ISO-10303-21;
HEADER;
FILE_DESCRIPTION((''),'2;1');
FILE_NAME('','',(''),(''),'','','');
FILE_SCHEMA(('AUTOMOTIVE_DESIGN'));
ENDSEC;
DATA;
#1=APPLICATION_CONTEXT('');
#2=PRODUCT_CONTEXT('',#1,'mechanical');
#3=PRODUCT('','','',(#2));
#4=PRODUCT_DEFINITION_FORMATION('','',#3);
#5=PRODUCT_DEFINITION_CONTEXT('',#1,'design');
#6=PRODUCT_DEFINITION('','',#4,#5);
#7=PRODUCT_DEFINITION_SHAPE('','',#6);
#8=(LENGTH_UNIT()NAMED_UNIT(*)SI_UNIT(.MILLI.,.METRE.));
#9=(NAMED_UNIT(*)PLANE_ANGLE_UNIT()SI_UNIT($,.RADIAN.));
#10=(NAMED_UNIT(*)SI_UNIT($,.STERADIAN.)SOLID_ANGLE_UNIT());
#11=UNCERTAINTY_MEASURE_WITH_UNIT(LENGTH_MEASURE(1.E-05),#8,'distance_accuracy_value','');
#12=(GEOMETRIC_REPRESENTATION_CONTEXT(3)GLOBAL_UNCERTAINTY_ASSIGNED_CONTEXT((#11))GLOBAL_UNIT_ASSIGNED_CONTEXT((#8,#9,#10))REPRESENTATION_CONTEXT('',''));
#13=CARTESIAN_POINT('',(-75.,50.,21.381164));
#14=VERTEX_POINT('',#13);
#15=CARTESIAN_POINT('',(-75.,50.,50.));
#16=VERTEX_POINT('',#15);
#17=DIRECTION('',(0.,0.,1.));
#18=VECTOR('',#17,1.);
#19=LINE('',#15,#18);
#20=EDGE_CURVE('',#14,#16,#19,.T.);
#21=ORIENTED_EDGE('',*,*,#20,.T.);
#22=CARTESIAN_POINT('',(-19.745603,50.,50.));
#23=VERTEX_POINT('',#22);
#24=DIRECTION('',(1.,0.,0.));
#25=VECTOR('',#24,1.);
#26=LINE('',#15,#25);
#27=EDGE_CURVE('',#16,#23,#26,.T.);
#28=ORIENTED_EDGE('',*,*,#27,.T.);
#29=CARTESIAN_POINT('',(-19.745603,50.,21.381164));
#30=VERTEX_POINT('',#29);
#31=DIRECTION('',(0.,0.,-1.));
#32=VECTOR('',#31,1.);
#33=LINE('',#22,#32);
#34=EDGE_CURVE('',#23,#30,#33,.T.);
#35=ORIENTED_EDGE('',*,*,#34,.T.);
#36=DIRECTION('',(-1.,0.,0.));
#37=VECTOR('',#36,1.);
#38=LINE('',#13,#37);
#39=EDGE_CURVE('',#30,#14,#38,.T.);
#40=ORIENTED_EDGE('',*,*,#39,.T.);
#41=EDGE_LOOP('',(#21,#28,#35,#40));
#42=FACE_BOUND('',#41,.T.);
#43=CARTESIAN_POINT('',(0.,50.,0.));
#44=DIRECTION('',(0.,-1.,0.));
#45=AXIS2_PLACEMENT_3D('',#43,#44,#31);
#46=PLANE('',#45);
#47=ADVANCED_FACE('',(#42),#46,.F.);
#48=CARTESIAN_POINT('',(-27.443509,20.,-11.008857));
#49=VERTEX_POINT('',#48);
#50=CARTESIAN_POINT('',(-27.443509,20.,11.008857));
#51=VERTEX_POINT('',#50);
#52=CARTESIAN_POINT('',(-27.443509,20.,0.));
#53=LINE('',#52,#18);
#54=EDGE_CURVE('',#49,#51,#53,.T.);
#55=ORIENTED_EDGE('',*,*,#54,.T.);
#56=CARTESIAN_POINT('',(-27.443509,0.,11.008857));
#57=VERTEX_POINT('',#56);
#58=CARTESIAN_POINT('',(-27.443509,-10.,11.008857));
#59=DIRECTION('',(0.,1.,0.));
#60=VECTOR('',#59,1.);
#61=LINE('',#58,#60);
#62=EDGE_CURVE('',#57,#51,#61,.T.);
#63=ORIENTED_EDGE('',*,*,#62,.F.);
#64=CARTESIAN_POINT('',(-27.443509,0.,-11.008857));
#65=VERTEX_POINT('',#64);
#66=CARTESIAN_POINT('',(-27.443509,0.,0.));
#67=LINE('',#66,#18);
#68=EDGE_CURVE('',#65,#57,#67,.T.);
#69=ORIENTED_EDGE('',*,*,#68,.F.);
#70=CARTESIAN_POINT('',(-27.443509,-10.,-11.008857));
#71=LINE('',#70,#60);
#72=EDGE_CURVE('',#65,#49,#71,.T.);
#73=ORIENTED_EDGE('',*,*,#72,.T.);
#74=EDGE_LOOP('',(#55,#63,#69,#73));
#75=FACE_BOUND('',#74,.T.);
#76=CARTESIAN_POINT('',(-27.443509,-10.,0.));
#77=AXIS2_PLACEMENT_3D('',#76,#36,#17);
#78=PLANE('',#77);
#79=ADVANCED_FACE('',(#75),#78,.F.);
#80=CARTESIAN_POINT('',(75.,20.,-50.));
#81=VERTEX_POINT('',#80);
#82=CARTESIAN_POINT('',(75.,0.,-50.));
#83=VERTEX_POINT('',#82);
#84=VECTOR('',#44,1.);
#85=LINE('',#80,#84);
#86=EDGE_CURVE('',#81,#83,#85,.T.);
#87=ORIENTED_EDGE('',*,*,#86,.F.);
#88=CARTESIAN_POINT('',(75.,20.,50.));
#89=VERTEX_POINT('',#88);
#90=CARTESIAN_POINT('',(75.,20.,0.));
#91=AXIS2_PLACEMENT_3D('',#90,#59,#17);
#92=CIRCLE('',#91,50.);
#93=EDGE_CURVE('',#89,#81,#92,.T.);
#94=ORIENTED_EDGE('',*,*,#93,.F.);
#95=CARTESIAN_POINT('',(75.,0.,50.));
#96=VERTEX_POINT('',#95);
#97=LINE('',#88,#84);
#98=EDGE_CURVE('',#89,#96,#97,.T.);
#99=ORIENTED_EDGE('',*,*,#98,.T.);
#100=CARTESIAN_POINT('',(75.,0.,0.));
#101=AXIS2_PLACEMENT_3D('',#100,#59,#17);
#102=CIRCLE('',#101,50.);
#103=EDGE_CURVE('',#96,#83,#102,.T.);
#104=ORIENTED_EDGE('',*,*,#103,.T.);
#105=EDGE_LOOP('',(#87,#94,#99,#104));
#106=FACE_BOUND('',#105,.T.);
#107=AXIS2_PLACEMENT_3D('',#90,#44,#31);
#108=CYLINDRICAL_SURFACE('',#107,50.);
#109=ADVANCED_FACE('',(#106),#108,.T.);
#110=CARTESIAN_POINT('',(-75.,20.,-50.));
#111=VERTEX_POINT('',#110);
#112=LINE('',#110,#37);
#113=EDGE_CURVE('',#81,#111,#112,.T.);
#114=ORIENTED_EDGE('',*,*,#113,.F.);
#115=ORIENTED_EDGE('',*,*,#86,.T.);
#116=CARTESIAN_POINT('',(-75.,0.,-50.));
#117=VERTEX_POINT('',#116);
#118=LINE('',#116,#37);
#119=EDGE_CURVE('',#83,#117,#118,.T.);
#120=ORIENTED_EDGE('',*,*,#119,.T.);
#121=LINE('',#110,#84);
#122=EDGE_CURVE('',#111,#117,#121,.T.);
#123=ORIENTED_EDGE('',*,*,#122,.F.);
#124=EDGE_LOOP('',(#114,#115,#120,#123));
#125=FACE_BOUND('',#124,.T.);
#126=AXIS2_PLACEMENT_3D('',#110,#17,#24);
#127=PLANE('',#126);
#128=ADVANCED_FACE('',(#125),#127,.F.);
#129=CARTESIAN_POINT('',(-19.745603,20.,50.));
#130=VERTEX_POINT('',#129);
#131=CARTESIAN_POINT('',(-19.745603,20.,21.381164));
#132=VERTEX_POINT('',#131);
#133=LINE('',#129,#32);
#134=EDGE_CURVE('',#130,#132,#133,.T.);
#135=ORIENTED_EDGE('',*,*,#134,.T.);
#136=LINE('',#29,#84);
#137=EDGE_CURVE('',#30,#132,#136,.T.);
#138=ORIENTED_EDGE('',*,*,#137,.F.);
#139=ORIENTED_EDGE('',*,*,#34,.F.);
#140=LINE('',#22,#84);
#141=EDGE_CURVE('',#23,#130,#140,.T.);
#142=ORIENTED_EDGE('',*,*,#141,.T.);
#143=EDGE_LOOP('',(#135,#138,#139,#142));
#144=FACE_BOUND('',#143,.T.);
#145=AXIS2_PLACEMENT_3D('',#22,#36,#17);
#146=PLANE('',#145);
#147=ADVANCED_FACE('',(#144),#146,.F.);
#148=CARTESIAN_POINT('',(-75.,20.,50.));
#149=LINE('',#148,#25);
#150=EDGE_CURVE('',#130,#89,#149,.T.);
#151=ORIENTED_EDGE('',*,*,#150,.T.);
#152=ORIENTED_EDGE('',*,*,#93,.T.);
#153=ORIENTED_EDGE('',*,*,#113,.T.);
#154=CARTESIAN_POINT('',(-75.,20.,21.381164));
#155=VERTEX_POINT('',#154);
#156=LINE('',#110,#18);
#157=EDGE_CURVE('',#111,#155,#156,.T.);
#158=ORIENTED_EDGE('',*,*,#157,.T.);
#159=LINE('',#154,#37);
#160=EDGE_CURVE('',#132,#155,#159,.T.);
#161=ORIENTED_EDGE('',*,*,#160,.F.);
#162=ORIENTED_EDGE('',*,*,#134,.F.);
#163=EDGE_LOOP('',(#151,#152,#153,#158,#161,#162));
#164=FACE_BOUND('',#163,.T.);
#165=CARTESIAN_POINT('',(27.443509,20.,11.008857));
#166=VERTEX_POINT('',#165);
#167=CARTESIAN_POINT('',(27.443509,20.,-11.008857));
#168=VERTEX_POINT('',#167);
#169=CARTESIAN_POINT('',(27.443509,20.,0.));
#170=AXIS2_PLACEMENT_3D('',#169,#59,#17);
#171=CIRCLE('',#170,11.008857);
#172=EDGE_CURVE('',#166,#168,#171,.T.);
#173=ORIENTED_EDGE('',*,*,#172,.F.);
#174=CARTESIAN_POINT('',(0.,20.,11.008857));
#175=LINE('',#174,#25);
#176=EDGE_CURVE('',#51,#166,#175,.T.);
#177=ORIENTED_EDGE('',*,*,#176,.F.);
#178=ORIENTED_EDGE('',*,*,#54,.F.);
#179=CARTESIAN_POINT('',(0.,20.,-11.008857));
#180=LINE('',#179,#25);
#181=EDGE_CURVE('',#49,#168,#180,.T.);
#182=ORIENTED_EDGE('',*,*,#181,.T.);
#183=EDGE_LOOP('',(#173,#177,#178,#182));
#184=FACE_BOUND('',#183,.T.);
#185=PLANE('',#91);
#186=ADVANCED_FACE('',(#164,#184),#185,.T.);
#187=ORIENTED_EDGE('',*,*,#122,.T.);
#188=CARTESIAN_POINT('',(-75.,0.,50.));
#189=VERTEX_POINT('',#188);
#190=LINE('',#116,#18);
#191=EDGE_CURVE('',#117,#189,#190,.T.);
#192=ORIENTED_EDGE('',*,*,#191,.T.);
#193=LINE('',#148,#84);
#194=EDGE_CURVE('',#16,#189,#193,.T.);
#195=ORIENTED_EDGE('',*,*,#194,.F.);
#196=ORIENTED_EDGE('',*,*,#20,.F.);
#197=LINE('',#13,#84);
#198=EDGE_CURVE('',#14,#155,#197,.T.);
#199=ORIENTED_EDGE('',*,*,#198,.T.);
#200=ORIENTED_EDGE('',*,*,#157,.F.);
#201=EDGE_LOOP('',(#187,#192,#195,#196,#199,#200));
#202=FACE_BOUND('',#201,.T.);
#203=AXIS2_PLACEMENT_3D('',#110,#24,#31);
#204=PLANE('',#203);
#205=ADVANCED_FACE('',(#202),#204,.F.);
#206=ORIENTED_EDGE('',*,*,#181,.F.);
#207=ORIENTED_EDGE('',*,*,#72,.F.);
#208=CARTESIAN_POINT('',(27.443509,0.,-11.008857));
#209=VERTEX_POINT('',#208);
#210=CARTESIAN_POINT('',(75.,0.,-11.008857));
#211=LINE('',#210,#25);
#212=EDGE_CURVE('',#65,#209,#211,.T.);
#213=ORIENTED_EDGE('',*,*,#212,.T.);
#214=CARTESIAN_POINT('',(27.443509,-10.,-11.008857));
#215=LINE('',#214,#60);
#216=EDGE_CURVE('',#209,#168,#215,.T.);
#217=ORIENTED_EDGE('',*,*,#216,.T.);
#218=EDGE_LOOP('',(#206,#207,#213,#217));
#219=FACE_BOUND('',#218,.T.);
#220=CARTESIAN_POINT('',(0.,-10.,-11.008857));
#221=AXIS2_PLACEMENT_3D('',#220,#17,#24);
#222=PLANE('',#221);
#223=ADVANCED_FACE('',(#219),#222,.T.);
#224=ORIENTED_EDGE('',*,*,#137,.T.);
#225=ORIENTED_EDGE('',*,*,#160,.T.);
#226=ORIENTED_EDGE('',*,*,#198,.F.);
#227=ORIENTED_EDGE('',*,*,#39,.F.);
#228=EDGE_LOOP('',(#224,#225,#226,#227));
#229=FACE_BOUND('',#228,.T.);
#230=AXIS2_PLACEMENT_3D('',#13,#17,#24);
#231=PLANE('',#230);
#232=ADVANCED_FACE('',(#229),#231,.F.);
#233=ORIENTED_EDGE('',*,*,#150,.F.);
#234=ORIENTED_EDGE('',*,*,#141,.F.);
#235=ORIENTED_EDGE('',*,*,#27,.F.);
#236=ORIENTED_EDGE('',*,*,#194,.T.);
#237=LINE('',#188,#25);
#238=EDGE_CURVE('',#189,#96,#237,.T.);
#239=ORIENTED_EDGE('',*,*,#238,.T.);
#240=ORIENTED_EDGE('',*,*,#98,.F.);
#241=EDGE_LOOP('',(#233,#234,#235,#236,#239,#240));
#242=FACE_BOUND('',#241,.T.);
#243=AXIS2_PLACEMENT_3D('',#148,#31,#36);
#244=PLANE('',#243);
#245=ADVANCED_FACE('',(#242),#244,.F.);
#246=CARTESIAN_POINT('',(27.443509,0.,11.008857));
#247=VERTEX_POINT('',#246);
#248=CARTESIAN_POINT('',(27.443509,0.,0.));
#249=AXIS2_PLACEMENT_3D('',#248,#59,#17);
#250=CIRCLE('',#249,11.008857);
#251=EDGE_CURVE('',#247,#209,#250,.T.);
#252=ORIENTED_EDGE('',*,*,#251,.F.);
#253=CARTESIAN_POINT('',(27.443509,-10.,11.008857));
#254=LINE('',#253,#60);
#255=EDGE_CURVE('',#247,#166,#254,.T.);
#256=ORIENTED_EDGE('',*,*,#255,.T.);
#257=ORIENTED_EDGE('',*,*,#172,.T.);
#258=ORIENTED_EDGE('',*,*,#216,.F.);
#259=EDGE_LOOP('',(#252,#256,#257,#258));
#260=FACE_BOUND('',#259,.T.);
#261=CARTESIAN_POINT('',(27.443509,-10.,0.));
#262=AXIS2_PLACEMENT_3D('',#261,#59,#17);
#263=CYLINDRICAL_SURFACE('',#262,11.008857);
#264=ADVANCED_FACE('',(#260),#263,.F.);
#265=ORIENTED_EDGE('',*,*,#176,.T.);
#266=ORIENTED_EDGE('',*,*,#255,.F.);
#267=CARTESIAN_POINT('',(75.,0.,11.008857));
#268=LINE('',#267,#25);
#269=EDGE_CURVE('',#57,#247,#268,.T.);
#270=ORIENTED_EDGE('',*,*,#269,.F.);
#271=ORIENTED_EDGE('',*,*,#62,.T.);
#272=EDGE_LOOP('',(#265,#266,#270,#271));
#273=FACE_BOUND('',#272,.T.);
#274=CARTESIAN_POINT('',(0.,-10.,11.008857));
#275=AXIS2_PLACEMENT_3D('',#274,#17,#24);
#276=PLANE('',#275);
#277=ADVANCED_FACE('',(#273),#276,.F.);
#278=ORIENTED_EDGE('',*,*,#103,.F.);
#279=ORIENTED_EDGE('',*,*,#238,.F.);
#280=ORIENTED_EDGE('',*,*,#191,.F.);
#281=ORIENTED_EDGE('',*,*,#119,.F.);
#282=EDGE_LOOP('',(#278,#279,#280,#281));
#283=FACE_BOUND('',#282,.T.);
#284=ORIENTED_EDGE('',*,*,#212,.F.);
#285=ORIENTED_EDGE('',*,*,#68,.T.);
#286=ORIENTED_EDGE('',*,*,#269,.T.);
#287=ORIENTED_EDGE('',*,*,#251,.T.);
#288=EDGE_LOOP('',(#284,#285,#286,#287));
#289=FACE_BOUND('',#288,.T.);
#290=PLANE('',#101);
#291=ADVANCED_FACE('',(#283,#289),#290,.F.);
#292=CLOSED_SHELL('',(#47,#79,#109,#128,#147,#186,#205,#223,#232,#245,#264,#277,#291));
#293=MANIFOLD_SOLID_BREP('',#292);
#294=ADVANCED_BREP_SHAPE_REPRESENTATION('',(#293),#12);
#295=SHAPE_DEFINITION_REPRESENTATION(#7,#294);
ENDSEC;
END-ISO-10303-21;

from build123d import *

# Parameters (mm, degrees)
BOSS_EXTRUDE1_DEPTH = 20
SKETCH2_W           = 55.254397281
SKETCH2_H           = 28.618836095
BOSS_EXTRUDE5_DEPTH = 30
SKETCH3_R           = 11.008857327
SKETCH3_W           = 54.887017246
SKETCH3_H           = 22.017714654
CUT_EXTRUDE1_DEPTH  = 30


with BuildPart() as part:
    # Sketch1 → Boss-Extrude1 (new body)
    with BuildSketch(Plane(origin=(0, 0, 0), x_dir=(1, 0, 0), z_dir=(0, 1, 0))):
        with BuildLine():
            Line((-75, 50), (75, 50))
            ThreePointArc((75, 50), (125, 0), (75, -50))
            Line((75, -50), (-75, -50))
            Line((-75, -50), (-75, 50))
        make_face()
    extrude(amount=BOSS_EXTRUDE1_DEPTH)

    # Sketch2 → Boss-Extrude5 (add)
    with BuildSketch(Plane(origin=(0, 20, 0), x_dir=(1, 0, 0), z_dir=(0, 1, 0))):
        with Locations((-47.37280136, -35.690581952)):
            Rectangle(SKETCH2_W, SKETCH2_H)
    extrude(amount=BOSS_EXTRUDE5_DEPTH)

    # Sketch3 → Cut-Extrude1 (cut)
    with BuildSketch(Plane(origin=(0, 20, 0), x_dir=(1, 0, 0), z_dir=(0, 1, 0))):
        with Locations((27.443508623, 0)):
            Circle(SKETCH3_R)
        Rectangle(SKETCH3_W, SKETCH3_H)
    extrude(amount=-CUT_EXTRUDE1_DEPTH, mode=Mode.SUBTRACT)


solid = part.part
